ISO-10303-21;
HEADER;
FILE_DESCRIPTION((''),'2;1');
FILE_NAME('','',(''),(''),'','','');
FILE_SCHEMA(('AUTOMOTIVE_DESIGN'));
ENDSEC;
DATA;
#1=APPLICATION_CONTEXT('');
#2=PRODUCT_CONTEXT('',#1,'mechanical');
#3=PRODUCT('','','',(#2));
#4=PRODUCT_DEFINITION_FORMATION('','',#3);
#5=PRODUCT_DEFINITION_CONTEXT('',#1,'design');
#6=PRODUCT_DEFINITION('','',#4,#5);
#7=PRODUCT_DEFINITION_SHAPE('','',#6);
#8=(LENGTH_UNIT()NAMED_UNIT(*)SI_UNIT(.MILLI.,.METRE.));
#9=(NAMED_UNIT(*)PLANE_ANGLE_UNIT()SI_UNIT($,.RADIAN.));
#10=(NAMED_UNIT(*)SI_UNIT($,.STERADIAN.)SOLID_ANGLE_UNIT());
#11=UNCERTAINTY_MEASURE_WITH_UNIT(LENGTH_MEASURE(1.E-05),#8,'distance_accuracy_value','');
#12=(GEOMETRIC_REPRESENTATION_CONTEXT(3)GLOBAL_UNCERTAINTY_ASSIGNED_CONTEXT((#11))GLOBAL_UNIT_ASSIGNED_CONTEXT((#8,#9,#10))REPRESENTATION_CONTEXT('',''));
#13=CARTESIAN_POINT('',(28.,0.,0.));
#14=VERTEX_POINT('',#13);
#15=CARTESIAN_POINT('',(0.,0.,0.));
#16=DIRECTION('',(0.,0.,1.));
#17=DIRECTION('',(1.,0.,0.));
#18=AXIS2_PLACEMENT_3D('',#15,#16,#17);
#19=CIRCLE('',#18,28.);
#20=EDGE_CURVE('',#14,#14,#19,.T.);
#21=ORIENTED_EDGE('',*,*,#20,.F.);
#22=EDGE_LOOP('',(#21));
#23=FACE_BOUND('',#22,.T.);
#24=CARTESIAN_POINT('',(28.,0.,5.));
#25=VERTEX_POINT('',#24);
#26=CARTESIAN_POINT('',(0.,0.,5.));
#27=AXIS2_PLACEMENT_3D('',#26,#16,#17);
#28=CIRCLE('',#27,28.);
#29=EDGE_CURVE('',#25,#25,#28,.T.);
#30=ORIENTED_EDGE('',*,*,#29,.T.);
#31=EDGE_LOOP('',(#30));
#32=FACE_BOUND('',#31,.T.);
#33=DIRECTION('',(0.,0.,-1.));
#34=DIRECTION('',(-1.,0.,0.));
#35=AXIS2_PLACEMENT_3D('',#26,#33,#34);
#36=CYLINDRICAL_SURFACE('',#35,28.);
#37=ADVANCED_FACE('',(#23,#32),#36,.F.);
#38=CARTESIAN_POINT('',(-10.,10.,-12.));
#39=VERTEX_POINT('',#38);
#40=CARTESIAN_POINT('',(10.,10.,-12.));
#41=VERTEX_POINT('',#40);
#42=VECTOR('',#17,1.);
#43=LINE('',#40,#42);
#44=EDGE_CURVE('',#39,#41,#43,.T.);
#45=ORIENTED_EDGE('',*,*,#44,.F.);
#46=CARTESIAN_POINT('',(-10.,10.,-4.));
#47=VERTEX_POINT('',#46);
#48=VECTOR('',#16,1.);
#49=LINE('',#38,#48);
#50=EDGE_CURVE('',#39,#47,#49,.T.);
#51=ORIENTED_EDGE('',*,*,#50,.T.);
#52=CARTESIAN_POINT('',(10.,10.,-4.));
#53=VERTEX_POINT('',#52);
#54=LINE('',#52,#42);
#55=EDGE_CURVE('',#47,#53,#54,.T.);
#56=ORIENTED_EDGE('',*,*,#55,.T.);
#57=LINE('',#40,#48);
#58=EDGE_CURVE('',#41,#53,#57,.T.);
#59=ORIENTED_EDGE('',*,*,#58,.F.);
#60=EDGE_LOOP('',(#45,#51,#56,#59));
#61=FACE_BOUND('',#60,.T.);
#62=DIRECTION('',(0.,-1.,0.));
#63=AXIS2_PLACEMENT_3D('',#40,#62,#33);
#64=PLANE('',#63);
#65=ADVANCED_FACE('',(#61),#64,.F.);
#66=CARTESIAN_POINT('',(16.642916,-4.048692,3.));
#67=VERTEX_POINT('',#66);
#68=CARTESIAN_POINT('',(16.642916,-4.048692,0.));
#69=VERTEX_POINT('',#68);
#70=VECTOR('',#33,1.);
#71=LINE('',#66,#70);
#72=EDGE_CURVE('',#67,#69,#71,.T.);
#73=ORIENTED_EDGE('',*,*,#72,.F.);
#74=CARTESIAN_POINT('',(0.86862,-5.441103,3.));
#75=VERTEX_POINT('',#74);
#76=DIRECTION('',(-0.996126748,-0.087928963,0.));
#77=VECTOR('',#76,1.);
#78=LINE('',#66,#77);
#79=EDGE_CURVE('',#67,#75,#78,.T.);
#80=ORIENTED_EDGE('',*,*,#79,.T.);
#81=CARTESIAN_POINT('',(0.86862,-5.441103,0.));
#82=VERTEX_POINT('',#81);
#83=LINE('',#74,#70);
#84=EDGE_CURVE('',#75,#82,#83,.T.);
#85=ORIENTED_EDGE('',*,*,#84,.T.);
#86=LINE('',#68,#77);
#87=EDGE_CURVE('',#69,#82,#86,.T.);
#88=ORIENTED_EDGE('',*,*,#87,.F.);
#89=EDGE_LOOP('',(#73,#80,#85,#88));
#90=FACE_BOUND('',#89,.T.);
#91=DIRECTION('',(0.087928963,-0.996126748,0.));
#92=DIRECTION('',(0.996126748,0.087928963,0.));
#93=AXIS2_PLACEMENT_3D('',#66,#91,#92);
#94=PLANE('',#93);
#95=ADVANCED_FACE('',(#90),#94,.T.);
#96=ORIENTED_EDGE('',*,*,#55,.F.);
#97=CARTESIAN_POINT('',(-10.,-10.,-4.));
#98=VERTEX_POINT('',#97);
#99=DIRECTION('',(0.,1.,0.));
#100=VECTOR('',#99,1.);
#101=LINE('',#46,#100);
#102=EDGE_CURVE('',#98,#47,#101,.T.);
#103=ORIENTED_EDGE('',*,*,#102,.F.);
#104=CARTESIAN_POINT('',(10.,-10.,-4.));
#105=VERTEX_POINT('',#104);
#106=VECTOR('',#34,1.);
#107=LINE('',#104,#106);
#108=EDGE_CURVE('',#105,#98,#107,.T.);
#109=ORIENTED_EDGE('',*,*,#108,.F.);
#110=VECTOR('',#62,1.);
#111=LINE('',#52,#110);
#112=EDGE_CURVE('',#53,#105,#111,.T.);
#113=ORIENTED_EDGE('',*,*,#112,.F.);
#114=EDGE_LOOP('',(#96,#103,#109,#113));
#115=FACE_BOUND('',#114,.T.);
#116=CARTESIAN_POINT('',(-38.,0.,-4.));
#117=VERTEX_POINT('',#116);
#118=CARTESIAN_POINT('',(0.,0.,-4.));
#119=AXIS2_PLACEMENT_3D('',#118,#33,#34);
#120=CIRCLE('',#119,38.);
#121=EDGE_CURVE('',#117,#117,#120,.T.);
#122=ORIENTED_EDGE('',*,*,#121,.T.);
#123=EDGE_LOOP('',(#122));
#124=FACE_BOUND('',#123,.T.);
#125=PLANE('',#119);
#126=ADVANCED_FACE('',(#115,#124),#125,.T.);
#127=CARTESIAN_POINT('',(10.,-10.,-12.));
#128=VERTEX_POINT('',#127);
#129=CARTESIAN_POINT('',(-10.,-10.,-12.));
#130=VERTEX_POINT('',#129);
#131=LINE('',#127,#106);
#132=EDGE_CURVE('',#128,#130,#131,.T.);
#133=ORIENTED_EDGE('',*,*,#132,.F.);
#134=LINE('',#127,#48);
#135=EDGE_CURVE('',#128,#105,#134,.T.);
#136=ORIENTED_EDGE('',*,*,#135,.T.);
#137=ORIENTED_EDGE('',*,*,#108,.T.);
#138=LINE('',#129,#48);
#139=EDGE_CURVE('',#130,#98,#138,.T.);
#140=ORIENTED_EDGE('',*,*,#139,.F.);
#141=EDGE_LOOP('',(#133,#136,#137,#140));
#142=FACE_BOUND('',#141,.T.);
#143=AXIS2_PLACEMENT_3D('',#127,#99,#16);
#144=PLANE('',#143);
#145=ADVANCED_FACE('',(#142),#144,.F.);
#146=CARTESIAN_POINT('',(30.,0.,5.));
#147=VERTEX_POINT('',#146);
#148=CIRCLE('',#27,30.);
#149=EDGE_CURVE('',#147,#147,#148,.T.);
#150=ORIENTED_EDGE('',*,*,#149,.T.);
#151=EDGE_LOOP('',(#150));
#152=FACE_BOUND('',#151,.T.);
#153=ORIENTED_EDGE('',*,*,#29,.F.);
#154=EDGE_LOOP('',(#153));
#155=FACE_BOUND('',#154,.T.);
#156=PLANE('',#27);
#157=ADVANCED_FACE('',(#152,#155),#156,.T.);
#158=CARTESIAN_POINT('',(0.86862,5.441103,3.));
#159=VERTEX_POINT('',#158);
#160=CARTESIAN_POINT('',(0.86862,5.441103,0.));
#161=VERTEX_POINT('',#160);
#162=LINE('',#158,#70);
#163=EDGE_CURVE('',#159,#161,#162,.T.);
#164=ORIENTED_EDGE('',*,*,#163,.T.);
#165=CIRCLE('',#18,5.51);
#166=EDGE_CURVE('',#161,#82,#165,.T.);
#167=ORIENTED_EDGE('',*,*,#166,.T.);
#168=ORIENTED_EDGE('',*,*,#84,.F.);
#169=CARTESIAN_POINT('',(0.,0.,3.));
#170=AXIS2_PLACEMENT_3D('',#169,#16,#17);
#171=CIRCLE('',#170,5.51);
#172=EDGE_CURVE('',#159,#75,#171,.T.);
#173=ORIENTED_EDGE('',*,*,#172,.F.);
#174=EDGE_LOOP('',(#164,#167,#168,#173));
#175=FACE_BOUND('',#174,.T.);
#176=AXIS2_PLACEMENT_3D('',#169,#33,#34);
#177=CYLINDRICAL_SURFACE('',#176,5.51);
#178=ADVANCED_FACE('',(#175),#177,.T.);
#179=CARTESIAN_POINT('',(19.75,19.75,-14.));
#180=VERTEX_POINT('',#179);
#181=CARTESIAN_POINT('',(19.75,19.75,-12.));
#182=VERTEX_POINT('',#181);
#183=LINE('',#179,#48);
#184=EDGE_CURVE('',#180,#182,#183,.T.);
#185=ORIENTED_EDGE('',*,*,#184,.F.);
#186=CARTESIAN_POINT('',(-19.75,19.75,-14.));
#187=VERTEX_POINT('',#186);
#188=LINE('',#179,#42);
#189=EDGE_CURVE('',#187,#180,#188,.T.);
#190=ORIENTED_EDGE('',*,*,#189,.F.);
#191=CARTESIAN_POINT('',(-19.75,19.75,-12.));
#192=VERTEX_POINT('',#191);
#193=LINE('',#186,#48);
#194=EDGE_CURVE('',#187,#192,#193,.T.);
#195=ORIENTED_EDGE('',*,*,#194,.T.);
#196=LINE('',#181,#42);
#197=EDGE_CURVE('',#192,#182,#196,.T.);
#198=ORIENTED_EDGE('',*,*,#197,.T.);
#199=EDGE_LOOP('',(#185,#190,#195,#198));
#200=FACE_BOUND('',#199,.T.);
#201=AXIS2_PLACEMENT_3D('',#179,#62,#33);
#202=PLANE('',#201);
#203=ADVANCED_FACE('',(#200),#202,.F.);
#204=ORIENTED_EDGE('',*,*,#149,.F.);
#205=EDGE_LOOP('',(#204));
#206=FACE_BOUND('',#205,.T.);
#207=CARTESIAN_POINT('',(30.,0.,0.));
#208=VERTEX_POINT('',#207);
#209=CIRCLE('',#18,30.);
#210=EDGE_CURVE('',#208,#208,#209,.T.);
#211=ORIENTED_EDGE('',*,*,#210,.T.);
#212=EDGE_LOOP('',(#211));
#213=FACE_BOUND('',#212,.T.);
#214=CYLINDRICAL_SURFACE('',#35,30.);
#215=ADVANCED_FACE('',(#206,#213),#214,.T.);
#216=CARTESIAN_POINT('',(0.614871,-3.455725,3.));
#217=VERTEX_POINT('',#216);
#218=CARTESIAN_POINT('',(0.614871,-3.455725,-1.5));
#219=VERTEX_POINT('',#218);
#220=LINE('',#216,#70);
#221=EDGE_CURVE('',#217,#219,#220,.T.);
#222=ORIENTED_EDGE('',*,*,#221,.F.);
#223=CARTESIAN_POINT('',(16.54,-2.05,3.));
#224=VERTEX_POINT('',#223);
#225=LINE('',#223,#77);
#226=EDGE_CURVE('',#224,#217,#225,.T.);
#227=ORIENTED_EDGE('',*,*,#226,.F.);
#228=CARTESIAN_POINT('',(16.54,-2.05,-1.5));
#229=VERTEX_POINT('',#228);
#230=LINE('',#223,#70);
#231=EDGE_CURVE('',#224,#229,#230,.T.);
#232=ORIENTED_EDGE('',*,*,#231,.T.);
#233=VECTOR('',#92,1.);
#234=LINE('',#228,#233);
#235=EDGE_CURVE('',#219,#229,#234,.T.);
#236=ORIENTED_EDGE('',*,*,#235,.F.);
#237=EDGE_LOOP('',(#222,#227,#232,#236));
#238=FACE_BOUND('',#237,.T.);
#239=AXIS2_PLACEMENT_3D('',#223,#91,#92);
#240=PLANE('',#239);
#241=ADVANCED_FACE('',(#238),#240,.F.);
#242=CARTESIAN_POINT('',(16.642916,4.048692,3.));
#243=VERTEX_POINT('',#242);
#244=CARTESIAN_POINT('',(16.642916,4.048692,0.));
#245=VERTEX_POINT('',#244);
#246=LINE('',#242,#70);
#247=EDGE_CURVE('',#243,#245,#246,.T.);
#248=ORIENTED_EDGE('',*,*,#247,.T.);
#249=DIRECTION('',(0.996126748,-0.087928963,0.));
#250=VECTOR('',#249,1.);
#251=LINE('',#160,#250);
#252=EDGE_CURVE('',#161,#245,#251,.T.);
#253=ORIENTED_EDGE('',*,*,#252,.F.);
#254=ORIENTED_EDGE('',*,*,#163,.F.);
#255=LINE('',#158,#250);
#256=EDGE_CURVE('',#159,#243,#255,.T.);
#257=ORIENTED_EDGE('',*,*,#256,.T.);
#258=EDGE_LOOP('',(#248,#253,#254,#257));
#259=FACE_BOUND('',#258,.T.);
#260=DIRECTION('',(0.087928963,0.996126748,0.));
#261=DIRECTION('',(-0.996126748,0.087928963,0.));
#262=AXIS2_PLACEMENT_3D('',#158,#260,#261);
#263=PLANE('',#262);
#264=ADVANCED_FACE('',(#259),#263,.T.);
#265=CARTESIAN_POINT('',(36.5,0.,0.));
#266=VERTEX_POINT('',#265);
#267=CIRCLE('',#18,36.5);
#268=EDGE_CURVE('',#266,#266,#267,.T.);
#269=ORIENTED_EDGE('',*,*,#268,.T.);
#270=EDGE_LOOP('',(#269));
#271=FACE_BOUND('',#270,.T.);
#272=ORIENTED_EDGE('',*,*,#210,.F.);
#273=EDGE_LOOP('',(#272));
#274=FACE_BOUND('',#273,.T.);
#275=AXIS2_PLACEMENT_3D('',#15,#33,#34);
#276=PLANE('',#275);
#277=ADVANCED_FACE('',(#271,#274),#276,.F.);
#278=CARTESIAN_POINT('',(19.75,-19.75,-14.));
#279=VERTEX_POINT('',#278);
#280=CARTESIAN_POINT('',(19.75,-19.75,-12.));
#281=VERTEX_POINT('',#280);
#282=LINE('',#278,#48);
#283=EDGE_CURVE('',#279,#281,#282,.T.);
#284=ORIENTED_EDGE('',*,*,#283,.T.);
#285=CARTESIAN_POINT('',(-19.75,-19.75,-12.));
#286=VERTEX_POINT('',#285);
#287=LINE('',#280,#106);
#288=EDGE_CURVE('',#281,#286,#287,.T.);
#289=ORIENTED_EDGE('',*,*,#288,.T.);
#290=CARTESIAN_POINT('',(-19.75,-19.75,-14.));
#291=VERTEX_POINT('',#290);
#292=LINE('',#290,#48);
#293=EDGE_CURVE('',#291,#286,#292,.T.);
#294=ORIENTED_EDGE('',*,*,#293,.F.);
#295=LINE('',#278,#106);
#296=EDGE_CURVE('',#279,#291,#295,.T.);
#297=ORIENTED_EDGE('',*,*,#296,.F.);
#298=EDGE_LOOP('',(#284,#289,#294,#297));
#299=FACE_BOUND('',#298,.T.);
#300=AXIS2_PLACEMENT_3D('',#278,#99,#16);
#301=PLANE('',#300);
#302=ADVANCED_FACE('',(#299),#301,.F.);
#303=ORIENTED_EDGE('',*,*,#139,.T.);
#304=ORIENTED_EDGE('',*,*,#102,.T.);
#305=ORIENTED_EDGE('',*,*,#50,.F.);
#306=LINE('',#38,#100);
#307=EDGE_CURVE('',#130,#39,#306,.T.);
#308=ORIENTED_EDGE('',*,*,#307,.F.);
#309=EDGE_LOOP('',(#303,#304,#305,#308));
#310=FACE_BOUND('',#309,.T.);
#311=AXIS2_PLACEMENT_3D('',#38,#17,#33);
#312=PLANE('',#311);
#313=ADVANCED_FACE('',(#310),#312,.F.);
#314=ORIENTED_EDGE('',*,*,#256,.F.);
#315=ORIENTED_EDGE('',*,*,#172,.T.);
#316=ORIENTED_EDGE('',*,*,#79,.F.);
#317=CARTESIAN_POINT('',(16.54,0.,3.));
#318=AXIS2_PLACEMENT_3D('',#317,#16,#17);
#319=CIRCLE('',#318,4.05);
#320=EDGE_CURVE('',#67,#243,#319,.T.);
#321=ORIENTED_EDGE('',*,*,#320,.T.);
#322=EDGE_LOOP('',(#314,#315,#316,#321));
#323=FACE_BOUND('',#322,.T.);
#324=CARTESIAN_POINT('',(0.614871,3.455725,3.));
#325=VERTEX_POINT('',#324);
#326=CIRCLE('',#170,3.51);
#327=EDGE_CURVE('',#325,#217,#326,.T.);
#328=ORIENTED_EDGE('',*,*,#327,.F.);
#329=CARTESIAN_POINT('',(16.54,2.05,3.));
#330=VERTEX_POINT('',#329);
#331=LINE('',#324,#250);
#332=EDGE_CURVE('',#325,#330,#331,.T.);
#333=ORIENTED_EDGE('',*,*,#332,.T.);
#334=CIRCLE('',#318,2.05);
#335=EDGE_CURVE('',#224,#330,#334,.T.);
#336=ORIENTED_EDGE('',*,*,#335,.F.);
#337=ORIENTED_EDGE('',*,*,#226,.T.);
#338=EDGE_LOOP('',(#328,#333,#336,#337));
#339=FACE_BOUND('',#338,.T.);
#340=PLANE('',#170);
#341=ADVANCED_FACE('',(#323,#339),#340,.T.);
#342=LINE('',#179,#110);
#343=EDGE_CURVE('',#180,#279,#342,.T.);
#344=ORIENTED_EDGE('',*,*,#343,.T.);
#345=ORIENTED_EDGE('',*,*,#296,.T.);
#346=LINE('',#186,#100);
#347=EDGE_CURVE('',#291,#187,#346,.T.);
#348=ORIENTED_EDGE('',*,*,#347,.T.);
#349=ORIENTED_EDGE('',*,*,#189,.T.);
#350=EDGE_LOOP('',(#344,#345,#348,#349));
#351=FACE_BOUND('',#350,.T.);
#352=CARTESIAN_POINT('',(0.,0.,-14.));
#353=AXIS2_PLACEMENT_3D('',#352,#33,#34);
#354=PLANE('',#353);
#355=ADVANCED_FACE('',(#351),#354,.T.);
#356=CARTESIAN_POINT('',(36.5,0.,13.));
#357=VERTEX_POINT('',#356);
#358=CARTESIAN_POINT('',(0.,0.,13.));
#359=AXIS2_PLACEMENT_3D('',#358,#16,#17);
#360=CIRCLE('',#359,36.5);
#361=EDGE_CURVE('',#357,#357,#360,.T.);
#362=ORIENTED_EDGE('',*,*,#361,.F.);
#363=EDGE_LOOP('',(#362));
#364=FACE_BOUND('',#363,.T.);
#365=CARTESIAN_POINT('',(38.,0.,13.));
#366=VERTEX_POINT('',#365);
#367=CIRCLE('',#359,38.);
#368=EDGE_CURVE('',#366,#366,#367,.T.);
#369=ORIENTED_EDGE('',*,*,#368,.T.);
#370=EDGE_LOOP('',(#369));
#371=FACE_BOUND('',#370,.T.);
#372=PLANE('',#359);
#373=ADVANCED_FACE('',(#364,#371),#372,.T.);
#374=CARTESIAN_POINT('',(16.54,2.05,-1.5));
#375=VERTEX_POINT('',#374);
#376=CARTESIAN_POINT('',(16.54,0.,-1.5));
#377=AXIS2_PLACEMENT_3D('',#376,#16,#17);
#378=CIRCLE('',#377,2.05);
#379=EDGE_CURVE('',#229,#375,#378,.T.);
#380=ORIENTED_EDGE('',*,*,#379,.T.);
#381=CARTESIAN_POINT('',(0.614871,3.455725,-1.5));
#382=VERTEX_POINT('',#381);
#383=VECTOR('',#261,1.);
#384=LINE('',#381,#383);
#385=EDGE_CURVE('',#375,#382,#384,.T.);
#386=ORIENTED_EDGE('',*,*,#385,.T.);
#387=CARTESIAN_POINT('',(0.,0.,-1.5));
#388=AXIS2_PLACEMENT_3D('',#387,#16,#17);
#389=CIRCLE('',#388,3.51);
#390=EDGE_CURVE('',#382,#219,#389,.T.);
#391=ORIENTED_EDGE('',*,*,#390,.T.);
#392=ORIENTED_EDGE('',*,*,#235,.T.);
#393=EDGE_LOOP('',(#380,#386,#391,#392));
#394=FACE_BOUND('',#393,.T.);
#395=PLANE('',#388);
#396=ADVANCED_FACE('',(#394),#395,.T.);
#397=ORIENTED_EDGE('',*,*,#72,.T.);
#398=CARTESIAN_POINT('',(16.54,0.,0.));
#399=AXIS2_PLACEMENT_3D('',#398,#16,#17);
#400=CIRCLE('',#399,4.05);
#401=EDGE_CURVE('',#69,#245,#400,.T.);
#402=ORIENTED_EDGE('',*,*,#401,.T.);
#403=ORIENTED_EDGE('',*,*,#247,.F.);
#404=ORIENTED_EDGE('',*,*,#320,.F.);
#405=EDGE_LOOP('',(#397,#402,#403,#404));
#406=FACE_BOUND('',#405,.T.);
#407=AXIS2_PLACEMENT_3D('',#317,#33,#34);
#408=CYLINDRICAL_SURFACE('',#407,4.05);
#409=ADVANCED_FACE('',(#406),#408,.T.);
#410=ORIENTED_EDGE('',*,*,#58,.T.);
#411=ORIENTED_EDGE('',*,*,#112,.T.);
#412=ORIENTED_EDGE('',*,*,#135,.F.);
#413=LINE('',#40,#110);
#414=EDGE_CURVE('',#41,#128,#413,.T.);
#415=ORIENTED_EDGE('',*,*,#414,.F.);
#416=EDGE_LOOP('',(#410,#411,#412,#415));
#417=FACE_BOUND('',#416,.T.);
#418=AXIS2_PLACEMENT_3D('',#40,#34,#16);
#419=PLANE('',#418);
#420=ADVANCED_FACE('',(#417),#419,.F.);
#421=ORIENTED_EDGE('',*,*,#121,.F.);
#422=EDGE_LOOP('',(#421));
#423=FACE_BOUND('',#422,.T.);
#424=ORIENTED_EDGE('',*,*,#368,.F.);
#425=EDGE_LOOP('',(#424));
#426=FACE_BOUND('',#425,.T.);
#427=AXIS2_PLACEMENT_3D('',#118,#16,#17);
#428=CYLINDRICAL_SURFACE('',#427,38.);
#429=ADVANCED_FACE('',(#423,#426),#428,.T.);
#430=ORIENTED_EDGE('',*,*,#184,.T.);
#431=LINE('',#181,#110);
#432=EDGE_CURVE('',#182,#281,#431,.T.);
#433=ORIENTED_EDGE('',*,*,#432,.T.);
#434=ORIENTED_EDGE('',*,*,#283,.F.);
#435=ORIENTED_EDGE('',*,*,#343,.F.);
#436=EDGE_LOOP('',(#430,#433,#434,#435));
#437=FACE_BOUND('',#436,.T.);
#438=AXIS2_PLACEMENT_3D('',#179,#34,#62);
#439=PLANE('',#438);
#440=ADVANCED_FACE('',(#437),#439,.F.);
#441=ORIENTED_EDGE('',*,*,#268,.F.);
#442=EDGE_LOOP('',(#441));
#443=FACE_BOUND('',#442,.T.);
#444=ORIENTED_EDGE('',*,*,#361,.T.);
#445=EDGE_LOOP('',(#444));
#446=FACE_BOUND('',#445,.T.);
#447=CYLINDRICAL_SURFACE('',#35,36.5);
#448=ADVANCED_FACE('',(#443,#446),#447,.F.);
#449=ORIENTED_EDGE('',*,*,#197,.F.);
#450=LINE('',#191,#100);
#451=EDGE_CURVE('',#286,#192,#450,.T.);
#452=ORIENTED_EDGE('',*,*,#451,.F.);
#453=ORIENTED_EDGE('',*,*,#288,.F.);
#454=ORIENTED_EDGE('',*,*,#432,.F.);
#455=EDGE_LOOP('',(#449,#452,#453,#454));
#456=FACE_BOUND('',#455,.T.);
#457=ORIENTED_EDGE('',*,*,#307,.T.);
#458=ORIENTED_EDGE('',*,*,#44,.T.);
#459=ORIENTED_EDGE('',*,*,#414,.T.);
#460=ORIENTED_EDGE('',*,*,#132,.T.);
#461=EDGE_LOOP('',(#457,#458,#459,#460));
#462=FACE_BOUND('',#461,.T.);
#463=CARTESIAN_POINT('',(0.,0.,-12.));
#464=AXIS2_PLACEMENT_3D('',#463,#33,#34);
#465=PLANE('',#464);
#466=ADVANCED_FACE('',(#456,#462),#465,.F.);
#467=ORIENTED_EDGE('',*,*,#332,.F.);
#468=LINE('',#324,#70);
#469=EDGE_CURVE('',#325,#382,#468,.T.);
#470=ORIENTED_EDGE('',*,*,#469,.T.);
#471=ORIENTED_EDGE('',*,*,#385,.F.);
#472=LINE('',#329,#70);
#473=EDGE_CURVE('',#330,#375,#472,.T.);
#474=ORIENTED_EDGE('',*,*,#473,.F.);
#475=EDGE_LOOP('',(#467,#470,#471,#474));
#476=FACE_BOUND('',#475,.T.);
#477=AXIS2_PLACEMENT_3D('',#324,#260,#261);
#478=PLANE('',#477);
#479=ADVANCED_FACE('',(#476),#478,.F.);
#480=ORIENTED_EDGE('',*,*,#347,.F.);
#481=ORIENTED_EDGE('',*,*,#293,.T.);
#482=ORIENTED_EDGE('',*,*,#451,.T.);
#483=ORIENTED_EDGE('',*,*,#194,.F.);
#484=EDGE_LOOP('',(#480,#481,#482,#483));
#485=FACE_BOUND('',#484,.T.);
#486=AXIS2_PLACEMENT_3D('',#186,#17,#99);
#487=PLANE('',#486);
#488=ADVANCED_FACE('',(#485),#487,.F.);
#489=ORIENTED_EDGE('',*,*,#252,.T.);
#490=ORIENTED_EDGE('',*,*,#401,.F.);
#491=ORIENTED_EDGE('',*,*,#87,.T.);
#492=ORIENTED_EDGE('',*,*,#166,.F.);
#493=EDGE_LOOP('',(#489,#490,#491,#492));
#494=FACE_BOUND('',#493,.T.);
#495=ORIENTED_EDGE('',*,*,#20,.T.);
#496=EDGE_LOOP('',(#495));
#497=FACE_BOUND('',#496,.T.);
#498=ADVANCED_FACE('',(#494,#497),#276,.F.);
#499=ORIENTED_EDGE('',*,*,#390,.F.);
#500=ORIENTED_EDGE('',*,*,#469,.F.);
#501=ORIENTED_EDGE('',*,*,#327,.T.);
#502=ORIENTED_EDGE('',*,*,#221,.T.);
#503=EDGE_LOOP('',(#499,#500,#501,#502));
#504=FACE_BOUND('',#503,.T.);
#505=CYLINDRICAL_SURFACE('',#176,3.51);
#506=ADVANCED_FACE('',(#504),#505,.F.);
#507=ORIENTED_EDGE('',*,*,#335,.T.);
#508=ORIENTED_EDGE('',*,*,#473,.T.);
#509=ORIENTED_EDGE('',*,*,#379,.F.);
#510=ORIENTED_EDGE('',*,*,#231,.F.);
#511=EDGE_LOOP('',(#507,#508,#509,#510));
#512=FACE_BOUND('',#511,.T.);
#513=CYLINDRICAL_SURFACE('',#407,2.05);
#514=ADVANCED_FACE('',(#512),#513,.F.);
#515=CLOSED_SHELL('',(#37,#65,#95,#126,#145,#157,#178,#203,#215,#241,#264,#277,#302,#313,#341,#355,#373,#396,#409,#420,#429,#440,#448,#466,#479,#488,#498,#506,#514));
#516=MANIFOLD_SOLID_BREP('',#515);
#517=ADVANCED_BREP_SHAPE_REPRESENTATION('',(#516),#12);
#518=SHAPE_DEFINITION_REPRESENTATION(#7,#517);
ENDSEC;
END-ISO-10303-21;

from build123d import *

# Parameters (mm, degrees)
SKETCH2_R             = 30
SKETCH2_R_2           = 28
BOSS_EXTRUDE1_DEPTH   = 5
SKETCH2_R_3           = 38
SKETCH2_R_4           = 36.5
BOSS_EXTRUDE1_2_DEPTH = 5
SKETCH5_R             = 38
BOSS_EXTRUDE2_DEPTH   = 4
BOSS_EXTRUDE3_DEPTH   = 3
CUT_EXTRUDE1_DEPTH    = 1.5
SKETCH10_R            = 38
SKETCH10_R_2          = 36.5
BOSS_EXTRUDE4_DEPTH   = 8
SKETCH11_W            = 20
SKETCH11_H            = 20
BOSS_EXTRUDE5_DEPTH   = 8
SKETCH12_W            = 39.5
SKETCH12_H            = 39.5
BOSS_EXTRUDE6_DEPTH   = 2


with BuildPart() as part:
    # Sketch2 → Boss-Extrude1 (new body)
    with BuildSketch(Plane.XY):
        Circle(SKETCH2_R)
        Circle(SKETCH2_R_2, mode=Mode.SUBTRACT)
    extrude(amount=BOSS_EXTRUDE1_DEPTH)



with BuildPart() as body_2:
    # Sketch2 → Boss-Extrude1 2 (new body)
    with BuildSketch(Plane.XY):
        Circle(SKETCH2_R_3)
        Circle(SKETCH2_R_4, mode=Mode.SUBTRACT)
    extrude(amount=BOSS_EXTRUDE1_2_DEPTH)


with BuildPart() as part_1:
    add(part.part)

    add(body_2.part)  # Boss-Extrude2 merges body 2
    # Sketch5 → Boss-Extrude2 (add)
    with BuildSketch(Plane(origin=(0, 0, 0), x_dir=(-1, 0, 0), z_dir=(0, 0, -1))):
        Circle(SKETCH5_R)
    extrude(amount=BOSS_EXTRUDE2_DEPTH)

    # Sketch6 → Boss-Extrude3 (add)
    with BuildSketch(Plane.XY):
        with BuildLine():
            Line((0.868619612, 5.441102827), (16.642915533, 4.048692183))
            ThreePointArc((16.642915533, 4.048692183), (20.59, 0), (16.642915533, -4.048692183))
            Line((16.642915533, -4.048692183), (0.868619612, -5.441102827))
            ThreePointArc((0.868619612, -5.441102827), (-5.51, 0), (0.868619612, 5.441102827))
        make_face()
        with BuildLine():
            Line((0.614870513, 3.455724852), (16.54, 2.05))
            ThreePointArc((16.54, 2.05), (18.59, 0), (16.54, -2.05))
            Line((16.54, -2.05), (0.614870513, -3.455724852))
            ThreePointArc((0.614870513, -3.455724852), (-3.51, 0), (0.614870513, 3.455724852))
        make_face(mode=Mode.SUBTRACT)
    extrude(amount=BOSS_EXTRUDE3_DEPTH)

    # Sketch9 → Cut-Extrude1 (cut)
    with BuildSketch(Plane.XY):
        with BuildLine():
            Line((0.614870513, 3.455724852), (16.54, 2.05))
            ThreePointArc((16.54, 2.05), (18.59, 0), (16.54, -2.05))
            Line((16.54, -2.05), (0.614870513, -3.455724852))
            ThreePointArc((0.614870513, -3.455724852), (-3.51, 0), (0.614870513, 3.455724852))
        make_face()
    extrude(amount=-CUT_EXTRUDE1_DEPTH, mode=Mode.SUBTRACT)

    # Sketch10 → Boss-Extrude4 (add)
    with BuildSketch(Plane.XY.offset(5)):
        Circle(SKETCH10_R)
        Circle(SKETCH10_R_2, mode=Mode.SUBTRACT)
    extrude(amount=BOSS_EXTRUDE4_DEPTH)

    # Sketch11 → Boss-Extrude5 (add)
    with BuildSketch(Plane(origin=(0, 0, -4), x_dir=(-1, 0, 0), z_dir=(0, 0, -1))):
        Rectangle(SKETCH11_W, SKETCH11_H)
    extrude(amount=BOSS_EXTRUDE5_DEPTH)

    # Sketch12 → Boss-Extrude6 (add)
    with BuildSketch(Plane(origin=(0, 0, -12), x_dir=(-1, 0, 0), z_dir=(0, 0, -1))):
        Rectangle(SKETCH12_W, SKETCH12_H)
    extrude(amount=BOSS_EXTRUDE6_DEPTH)


solid = part_1.part
